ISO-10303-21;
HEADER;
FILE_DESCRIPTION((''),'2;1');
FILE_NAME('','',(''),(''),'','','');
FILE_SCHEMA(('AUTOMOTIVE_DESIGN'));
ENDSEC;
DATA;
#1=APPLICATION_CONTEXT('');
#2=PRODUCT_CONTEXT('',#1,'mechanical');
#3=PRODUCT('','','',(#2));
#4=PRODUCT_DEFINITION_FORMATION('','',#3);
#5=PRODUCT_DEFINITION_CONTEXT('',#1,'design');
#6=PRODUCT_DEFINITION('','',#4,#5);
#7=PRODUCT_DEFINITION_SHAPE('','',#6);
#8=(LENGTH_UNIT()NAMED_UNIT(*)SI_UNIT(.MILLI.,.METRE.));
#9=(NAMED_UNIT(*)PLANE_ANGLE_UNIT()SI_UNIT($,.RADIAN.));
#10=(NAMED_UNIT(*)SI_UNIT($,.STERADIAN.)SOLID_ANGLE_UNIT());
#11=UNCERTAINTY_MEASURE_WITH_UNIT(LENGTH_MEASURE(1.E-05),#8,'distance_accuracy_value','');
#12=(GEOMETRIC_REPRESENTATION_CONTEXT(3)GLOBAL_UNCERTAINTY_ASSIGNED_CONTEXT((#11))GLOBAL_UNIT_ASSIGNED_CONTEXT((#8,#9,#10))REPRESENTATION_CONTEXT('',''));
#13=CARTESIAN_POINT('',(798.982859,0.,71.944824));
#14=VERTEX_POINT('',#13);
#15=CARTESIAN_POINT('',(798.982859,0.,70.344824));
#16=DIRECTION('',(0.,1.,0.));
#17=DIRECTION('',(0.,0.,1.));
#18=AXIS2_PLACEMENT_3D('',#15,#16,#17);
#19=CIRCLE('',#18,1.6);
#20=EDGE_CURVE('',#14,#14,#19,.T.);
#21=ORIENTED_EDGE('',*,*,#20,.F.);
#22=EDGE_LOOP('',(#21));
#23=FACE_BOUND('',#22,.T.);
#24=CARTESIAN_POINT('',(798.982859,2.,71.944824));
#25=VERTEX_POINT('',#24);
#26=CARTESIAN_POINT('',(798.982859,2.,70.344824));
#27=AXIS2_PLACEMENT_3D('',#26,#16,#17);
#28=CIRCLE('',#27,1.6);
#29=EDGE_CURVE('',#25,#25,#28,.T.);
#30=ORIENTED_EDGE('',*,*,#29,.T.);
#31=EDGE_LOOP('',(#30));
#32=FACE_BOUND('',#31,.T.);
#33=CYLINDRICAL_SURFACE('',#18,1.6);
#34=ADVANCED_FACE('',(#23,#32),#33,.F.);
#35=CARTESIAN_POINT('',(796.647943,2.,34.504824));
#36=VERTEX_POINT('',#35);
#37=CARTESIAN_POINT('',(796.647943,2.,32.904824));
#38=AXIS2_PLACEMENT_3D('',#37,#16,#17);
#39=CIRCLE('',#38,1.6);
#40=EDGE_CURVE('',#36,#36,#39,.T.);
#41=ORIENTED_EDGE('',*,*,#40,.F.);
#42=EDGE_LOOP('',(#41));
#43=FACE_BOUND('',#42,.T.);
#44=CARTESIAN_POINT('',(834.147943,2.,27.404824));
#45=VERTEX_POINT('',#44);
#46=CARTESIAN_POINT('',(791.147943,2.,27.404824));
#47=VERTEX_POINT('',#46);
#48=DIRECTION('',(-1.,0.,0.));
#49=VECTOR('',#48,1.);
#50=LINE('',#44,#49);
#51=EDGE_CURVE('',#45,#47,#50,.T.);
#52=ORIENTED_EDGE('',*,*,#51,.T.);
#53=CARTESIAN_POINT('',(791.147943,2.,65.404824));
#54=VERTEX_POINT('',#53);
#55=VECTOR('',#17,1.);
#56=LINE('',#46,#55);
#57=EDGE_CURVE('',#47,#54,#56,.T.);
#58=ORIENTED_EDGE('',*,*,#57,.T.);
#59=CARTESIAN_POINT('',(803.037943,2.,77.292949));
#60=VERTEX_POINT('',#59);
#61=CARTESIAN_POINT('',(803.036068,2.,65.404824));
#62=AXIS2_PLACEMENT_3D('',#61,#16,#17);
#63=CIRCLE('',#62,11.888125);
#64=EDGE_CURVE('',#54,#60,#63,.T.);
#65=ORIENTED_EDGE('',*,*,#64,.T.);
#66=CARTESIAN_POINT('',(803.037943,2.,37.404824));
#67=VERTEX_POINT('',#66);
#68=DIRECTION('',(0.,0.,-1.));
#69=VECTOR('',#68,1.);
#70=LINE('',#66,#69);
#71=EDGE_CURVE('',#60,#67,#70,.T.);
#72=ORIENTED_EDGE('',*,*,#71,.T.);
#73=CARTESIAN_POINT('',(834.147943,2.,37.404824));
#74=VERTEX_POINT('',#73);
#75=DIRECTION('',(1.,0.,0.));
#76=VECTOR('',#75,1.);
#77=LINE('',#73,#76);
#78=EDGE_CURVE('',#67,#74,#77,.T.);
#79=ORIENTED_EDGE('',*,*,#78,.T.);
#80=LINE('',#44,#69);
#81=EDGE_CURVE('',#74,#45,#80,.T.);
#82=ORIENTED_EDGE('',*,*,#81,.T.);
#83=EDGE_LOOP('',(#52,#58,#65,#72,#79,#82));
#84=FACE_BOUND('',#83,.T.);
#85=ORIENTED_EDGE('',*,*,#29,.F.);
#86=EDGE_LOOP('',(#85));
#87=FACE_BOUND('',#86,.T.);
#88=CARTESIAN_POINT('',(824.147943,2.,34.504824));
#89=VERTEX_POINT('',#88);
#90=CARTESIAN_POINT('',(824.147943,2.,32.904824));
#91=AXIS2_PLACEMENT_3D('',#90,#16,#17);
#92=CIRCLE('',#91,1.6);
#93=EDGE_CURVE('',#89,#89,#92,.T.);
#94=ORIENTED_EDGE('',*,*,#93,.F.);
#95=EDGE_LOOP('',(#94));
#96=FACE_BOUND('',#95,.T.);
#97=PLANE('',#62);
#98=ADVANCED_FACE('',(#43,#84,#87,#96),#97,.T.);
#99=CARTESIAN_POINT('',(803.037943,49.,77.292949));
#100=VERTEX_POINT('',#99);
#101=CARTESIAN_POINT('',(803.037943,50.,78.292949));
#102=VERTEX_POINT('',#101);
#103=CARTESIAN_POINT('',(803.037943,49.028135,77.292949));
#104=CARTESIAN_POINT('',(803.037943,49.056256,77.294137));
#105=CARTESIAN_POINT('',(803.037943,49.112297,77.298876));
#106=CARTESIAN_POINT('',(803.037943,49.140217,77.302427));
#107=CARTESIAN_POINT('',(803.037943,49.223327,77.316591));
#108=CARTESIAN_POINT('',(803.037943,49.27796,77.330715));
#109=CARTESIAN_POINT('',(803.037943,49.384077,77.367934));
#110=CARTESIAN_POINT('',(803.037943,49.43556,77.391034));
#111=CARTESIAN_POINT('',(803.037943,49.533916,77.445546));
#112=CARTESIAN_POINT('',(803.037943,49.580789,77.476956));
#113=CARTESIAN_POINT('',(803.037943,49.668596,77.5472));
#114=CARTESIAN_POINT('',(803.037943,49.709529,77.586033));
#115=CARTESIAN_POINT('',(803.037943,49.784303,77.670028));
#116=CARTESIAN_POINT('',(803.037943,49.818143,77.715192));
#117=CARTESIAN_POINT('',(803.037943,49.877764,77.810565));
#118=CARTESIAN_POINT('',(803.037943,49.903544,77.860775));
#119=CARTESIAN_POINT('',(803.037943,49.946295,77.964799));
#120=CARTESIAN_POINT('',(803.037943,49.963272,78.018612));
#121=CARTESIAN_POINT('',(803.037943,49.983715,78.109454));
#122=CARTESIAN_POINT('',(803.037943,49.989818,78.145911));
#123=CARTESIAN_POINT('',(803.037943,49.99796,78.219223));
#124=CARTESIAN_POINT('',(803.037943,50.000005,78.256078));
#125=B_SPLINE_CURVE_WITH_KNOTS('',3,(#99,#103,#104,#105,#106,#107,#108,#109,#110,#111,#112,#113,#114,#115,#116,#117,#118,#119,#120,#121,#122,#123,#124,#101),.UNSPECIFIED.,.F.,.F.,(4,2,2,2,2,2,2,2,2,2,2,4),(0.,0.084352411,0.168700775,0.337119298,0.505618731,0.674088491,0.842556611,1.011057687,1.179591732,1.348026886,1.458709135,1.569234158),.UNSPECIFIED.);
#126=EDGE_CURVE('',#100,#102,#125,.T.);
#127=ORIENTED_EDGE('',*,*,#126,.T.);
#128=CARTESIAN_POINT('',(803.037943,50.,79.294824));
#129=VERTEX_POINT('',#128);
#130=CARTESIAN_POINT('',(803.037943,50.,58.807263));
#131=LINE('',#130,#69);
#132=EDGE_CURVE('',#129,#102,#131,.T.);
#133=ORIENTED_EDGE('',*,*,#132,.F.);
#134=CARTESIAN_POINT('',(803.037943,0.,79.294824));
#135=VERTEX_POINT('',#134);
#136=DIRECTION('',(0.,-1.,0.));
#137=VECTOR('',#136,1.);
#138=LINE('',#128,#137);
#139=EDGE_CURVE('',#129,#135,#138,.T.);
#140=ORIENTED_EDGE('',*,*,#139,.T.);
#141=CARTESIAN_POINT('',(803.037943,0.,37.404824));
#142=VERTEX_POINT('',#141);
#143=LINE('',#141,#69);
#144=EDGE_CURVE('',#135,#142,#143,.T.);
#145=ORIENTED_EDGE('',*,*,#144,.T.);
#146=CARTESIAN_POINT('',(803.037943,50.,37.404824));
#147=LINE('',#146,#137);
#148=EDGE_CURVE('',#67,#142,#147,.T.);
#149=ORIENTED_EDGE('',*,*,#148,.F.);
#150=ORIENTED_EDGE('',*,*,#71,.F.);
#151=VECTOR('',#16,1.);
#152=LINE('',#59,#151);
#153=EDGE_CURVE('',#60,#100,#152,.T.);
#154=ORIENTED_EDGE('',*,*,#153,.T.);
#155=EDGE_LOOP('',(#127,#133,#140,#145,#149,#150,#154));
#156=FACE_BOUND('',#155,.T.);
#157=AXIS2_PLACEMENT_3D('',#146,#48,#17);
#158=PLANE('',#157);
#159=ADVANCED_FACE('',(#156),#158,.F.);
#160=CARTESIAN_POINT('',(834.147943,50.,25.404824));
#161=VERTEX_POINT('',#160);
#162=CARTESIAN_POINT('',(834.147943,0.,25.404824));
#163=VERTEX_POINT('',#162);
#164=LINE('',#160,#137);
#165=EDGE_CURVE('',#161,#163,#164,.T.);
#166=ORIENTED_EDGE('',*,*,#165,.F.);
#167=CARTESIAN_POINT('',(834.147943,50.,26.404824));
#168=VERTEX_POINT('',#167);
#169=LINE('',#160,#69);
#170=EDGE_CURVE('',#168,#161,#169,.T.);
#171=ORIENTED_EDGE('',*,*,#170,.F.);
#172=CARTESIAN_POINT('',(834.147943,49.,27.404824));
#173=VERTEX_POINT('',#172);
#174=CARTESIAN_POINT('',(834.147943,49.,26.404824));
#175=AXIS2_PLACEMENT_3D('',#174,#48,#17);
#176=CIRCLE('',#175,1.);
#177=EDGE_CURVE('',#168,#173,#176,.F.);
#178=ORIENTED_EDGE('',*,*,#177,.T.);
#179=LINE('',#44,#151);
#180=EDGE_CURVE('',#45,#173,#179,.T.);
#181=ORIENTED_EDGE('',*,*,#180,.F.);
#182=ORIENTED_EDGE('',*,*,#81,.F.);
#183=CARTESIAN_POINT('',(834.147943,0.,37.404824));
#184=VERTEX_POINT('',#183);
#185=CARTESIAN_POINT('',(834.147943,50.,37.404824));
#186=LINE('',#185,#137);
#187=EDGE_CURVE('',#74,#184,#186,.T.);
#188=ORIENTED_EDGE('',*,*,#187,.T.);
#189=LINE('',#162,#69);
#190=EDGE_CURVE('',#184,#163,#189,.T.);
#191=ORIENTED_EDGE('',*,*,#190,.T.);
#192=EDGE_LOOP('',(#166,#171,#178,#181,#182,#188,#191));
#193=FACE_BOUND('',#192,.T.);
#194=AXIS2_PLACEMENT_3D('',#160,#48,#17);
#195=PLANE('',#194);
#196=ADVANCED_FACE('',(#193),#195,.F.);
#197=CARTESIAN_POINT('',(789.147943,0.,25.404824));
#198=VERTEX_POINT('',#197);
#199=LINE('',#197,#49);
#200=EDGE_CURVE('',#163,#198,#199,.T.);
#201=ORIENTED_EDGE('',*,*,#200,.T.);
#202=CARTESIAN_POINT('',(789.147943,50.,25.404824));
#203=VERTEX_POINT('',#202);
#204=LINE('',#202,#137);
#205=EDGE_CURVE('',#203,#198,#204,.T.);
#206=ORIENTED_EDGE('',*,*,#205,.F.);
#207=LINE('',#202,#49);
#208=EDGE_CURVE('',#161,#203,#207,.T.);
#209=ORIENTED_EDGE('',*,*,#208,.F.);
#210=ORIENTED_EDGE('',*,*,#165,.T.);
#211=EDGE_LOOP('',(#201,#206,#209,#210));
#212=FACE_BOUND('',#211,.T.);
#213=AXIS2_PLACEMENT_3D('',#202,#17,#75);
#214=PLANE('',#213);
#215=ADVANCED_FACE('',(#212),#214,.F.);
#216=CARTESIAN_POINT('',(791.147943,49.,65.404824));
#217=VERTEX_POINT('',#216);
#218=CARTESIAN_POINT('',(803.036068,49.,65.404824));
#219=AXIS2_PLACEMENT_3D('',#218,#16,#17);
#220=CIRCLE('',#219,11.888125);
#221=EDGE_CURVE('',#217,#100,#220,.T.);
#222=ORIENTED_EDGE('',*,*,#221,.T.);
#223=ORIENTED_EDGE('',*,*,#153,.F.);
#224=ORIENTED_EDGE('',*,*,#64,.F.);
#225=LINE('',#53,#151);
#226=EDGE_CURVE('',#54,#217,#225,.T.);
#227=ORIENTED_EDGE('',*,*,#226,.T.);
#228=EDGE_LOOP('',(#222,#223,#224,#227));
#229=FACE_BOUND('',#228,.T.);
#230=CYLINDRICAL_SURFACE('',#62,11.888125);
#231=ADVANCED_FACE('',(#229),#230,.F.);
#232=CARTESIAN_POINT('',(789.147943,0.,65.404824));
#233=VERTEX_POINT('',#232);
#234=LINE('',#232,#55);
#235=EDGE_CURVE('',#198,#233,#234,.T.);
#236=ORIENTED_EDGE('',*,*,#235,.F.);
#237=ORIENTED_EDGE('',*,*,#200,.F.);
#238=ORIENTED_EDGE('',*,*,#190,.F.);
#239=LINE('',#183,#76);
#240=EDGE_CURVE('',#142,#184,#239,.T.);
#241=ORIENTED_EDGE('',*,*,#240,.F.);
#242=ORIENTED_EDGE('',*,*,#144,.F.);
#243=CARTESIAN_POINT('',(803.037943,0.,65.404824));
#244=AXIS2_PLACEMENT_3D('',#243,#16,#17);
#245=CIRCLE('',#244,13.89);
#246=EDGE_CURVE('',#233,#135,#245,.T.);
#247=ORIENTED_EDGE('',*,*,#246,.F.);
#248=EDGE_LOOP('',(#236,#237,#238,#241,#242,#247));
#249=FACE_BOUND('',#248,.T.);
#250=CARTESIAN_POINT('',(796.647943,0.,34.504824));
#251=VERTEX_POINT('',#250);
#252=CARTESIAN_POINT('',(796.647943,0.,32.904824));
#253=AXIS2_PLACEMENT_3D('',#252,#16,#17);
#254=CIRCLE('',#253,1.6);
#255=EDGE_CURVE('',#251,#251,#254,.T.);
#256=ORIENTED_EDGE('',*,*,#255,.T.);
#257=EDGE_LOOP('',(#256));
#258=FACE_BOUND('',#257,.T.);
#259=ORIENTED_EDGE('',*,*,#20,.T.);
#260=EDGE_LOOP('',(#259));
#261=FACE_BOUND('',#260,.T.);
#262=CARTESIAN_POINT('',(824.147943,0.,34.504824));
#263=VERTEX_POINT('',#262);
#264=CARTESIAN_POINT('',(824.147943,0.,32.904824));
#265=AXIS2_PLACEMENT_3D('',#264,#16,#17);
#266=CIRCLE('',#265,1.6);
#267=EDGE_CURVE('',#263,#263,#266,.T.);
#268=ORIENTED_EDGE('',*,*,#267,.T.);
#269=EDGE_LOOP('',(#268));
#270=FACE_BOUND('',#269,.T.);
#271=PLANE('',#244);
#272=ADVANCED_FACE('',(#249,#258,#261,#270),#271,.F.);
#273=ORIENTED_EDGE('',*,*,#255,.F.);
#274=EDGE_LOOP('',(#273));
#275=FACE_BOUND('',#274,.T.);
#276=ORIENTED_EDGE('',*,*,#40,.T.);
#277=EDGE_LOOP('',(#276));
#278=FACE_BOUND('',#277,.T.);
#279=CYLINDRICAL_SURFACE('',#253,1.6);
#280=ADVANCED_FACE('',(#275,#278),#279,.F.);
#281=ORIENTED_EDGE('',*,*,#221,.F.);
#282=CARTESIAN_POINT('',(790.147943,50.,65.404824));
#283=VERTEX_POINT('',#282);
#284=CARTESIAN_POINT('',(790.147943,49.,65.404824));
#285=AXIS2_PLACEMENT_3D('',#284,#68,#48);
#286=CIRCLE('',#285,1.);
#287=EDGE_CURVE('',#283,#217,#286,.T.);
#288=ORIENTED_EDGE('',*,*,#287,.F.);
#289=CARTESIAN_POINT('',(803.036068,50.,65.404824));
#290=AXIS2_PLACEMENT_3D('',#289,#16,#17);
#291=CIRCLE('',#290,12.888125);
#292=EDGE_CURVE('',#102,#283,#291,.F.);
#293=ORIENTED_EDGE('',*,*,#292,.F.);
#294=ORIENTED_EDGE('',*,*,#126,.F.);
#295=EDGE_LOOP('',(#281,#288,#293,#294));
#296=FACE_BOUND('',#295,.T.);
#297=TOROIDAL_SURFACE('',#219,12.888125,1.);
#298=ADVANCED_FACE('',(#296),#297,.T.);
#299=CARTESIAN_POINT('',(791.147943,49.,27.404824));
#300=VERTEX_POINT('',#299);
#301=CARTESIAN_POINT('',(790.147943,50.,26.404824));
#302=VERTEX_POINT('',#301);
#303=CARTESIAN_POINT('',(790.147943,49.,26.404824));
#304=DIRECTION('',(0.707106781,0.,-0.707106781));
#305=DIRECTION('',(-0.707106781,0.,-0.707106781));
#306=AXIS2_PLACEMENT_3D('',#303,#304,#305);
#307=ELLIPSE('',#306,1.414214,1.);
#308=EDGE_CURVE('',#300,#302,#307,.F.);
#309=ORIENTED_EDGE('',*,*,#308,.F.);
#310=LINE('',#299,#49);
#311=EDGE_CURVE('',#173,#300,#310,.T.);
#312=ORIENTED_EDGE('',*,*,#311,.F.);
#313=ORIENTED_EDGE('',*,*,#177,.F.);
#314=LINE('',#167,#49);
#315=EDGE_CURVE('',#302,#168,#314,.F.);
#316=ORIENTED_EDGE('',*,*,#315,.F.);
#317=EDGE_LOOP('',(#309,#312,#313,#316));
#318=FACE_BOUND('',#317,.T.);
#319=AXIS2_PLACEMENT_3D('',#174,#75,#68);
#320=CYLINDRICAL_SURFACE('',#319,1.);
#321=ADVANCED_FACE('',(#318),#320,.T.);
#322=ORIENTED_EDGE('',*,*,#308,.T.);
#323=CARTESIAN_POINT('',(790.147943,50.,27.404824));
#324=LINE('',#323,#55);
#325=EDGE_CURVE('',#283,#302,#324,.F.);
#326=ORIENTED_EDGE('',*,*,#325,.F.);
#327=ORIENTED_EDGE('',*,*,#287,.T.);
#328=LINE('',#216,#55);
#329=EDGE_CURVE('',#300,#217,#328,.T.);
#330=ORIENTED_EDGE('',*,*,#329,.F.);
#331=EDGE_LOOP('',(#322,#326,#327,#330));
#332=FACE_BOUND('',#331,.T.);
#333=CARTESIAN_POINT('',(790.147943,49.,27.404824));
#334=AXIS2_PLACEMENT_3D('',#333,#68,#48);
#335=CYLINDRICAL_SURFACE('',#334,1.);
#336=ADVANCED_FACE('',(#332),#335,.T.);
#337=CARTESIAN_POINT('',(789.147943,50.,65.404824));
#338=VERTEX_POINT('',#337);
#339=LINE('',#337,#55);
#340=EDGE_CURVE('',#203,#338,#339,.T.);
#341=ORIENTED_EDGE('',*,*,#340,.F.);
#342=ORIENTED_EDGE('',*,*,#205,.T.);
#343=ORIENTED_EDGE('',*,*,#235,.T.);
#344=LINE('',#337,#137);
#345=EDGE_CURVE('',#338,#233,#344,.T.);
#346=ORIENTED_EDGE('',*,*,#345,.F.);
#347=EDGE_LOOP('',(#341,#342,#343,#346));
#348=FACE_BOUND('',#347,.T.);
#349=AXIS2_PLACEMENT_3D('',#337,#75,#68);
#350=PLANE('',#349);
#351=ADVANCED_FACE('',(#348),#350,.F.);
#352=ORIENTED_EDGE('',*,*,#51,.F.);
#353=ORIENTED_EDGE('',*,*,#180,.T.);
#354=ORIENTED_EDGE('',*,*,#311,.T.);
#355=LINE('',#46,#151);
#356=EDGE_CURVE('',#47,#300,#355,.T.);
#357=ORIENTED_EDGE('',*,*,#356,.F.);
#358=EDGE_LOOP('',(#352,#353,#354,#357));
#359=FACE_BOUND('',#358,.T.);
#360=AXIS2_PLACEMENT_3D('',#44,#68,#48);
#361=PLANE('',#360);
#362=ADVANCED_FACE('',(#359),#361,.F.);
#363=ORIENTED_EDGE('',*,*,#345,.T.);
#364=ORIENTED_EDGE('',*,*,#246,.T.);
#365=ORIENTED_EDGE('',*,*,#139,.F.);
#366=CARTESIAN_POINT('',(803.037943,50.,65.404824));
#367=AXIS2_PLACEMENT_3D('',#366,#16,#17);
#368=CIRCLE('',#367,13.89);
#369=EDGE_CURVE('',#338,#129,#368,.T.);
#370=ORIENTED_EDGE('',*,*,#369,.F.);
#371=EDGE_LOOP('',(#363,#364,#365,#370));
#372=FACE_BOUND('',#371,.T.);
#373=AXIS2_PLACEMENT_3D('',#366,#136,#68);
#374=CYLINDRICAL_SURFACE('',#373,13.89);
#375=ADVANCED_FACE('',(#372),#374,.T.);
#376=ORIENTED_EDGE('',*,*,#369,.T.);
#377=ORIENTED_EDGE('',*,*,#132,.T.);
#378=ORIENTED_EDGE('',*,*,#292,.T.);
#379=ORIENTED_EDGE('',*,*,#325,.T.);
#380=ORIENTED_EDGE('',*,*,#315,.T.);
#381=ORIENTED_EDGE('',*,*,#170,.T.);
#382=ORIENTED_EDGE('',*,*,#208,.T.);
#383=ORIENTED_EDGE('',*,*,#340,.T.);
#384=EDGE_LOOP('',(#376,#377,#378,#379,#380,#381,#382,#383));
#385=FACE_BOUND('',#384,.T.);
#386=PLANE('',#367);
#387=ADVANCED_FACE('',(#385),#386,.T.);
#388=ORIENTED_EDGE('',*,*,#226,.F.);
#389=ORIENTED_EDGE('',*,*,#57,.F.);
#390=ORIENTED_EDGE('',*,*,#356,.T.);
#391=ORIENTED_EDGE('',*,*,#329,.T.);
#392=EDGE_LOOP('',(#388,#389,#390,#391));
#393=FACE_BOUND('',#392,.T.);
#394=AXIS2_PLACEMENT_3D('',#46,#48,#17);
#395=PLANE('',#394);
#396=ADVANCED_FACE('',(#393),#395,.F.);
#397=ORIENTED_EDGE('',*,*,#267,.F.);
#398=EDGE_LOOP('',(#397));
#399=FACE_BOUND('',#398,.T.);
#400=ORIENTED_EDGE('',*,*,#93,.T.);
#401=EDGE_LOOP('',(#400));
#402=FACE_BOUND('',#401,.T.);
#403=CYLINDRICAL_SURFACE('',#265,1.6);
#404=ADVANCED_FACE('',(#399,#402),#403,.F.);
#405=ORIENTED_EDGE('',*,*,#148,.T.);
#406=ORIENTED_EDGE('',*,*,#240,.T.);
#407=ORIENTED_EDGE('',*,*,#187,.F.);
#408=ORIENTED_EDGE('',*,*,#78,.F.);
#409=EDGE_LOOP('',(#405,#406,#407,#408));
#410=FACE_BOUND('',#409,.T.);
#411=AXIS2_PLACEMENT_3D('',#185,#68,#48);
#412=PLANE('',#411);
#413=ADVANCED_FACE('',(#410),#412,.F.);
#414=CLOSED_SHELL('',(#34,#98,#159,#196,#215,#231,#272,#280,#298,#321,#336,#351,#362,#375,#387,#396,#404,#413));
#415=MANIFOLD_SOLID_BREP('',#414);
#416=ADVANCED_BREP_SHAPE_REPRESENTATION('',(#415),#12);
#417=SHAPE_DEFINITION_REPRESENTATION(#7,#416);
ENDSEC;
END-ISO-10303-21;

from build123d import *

# Parameters (mm, degrees)
BOSS_EXTRUDE1_DEPTH = 50
CUT_EXTRUDE1_DEPTH  = 48
SKETCH3_R           = 1.6
CUT_EXTRUDE2_DEPTH  = 840.282109633
FILLET3_R           = 1


with BuildPart() as part:
    # Sketch1 → Boss-Extrude1 (new body)
    with BuildSketch(Plane(origin=(0, 0, 0), x_dir=(1, 0, 0), z_dir=(0, 1, 0))):
        with BuildLine():
            Line((789.147942738, -65.404824394), (789.147942738, -25.404824394))
            Line((789.147942738, -25.404824394), (834.147942738, -25.404824394))
            Line((834.147942738, -25.404824394), (834.147942738, -37.404824394))
            Line((834.147942738, -37.404824394), (803.037942738, -37.404824394))
            Line((803.037942738, -37.404824394), (803.037942738, -58.807263418))
            Line((803.037942738, -58.807263418), (803.037942738, -79.294824394))
            ThreePointArc((803.037942738, -79.294824394), (793.216229548, -75.226537585), (789.147942738, -65.404824394))
        make_face()
    extrude(amount=BOSS_EXTRUDE1_DEPTH)

    # Sketch2 → Cut-Extrude1 (cut)
    with BuildSketch(Plane(origin=(0, 50, 0), x_dir=(1, 0, 0), z_dir=(0, 1, 0))):
        with BuildLine():
            Line((834.147942738, -27.404824394), (791.147942738, -27.404824394))
            Line((791.147942738, -27.404824394), (791.147942738, -65.404824394))
            ThreePointArc((791.147942738, -65.404824394), (794.630556885, -73.81166102), (803.037942738, -77.292949065))
            Line((803.037942738, -77.292949065), (834.147942738, -63.276412727))
            Line((834.147942738, -63.276412727), (834.147942738, -27.404824394))
        make_face()
    extrude(amount=-CUT_EXTRUDE1_DEPTH, mode=Mode.SUBTRACT)

    # Sketch3 → Cut-Extrude2 (cut, through all)
    with BuildSketch(Plane(origin=(0, 2, 0), x_dir=(1, 0, 0), z_dir=(0, 1, 0))):
        with Locations(Location((824.147942738, -32.904824394, 0), (0, 0, 270))):
            Circle(SKETCH3_R)
        with Locations(Location((796.647942738, -32.904824394, 0), (0, 0, 270))):
            Circle(SKETCH3_R)
        with Locations(Location((798.982858952, -70.344824394, 0), (0, 0, 270))):
            Circle(SKETCH3_R)
    extrude(amount=-CUT_EXTRUDE2_DEPTH, mode=Mode.SUBTRACT)

    # Fillet3
    fillet3_edges = [part.edges().sort_by_distance(p)[0] for p in [
        (794.630556885, 50, 73.81166102),
        (812.647942738, 50, 27.404824394),
        (791.147942738, 50, 46.404824394),
    ]]
    fillet(fillet3_edges, radius=FILLET3_R)


solid = part.part
